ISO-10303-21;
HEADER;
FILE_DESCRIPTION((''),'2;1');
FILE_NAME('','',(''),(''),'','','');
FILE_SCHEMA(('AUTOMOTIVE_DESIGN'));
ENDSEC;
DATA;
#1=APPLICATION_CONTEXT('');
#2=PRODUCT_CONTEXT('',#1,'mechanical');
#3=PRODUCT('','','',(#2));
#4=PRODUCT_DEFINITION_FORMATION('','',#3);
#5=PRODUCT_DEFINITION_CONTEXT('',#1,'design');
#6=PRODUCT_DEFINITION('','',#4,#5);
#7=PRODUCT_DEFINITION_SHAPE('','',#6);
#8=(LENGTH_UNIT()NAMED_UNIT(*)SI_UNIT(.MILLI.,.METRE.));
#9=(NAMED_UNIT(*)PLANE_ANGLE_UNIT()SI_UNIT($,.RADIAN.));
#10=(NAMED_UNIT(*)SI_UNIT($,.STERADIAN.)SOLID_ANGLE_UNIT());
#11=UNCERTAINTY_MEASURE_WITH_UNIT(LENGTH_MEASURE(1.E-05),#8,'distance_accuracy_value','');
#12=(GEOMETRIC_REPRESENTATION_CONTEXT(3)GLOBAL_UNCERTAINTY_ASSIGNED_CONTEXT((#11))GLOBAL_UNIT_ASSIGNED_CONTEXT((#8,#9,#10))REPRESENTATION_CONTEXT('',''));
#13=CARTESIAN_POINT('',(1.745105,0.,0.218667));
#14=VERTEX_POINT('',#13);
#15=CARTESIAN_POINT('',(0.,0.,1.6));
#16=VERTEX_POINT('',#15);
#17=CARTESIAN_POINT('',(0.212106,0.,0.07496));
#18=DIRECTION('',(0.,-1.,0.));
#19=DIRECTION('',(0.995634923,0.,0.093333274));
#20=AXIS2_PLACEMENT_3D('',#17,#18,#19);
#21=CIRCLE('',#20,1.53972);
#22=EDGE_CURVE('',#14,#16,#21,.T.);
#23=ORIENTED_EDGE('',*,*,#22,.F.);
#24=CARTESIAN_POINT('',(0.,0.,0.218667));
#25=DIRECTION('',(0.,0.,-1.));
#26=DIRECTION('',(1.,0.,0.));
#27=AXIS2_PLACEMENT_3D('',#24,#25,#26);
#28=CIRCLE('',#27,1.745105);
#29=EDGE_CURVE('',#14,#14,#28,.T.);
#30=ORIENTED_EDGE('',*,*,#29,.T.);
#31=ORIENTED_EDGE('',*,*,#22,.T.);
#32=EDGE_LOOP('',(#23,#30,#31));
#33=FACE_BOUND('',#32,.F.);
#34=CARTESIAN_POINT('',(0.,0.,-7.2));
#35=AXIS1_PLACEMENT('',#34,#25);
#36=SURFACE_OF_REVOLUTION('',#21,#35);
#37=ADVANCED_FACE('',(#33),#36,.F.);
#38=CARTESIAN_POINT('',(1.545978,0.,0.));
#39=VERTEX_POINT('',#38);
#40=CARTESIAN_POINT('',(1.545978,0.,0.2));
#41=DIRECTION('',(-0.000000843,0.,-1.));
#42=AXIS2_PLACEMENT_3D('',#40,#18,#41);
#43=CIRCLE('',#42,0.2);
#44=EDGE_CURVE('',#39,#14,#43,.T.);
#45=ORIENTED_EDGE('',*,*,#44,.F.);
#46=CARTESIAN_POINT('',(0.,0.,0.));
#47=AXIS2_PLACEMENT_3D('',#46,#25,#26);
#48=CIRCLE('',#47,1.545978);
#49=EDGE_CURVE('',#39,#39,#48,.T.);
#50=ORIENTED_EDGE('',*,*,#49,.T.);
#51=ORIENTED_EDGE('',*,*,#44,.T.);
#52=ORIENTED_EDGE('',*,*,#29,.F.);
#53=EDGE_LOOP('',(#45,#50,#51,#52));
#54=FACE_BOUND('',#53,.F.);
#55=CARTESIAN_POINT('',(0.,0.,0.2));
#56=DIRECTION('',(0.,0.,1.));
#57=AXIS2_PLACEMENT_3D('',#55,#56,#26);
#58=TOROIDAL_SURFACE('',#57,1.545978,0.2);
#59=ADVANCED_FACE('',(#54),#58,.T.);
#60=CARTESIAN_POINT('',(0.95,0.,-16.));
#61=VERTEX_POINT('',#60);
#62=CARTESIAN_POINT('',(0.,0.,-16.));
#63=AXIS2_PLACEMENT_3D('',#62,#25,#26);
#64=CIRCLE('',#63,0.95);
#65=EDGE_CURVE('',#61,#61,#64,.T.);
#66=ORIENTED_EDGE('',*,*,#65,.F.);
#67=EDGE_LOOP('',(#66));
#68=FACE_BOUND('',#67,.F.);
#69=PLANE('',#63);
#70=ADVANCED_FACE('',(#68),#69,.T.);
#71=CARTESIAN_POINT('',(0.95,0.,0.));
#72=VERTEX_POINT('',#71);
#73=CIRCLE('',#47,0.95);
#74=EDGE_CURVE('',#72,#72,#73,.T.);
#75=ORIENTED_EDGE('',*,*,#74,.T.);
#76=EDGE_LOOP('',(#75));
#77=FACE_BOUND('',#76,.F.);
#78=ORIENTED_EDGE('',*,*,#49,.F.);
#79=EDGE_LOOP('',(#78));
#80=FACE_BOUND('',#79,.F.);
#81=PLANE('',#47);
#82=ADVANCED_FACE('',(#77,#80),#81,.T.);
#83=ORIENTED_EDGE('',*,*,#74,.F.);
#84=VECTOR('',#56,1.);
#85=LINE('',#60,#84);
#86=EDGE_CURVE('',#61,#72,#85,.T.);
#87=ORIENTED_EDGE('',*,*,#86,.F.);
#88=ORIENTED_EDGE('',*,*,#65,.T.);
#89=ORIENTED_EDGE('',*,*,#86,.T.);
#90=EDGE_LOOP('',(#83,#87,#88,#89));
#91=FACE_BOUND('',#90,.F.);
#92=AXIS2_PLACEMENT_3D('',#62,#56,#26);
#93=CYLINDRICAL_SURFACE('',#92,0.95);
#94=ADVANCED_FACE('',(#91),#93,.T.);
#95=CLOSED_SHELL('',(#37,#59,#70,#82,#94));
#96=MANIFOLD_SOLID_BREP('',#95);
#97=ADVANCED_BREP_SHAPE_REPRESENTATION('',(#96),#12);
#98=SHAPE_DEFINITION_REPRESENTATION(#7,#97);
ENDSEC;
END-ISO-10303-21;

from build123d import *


with BuildPart() as f1:
    # F0 (on Front) → F1 (revolve)
    with BuildSketch(Plane.XZ):
        with BuildLine():
            Line((0, 1.6), (0, -16))
            Line((0, -16), (0.95, -16))
            Line((0.95, -16), (0.95, 0))
            Line((0.95, 0), (1.545978, 0))
            ThreePointArc((1.545978, 0), (1.693852, 0.06534), (1.745105, 0.218667))
            ThreePointArc((1.745105, 0.218667), (1.167726, 1.282241), (0, 1.6))
        make_face()
    revolve(axis=Axis((0, 0, -7.2), (0, 0, -1)))


solid = f1.part
